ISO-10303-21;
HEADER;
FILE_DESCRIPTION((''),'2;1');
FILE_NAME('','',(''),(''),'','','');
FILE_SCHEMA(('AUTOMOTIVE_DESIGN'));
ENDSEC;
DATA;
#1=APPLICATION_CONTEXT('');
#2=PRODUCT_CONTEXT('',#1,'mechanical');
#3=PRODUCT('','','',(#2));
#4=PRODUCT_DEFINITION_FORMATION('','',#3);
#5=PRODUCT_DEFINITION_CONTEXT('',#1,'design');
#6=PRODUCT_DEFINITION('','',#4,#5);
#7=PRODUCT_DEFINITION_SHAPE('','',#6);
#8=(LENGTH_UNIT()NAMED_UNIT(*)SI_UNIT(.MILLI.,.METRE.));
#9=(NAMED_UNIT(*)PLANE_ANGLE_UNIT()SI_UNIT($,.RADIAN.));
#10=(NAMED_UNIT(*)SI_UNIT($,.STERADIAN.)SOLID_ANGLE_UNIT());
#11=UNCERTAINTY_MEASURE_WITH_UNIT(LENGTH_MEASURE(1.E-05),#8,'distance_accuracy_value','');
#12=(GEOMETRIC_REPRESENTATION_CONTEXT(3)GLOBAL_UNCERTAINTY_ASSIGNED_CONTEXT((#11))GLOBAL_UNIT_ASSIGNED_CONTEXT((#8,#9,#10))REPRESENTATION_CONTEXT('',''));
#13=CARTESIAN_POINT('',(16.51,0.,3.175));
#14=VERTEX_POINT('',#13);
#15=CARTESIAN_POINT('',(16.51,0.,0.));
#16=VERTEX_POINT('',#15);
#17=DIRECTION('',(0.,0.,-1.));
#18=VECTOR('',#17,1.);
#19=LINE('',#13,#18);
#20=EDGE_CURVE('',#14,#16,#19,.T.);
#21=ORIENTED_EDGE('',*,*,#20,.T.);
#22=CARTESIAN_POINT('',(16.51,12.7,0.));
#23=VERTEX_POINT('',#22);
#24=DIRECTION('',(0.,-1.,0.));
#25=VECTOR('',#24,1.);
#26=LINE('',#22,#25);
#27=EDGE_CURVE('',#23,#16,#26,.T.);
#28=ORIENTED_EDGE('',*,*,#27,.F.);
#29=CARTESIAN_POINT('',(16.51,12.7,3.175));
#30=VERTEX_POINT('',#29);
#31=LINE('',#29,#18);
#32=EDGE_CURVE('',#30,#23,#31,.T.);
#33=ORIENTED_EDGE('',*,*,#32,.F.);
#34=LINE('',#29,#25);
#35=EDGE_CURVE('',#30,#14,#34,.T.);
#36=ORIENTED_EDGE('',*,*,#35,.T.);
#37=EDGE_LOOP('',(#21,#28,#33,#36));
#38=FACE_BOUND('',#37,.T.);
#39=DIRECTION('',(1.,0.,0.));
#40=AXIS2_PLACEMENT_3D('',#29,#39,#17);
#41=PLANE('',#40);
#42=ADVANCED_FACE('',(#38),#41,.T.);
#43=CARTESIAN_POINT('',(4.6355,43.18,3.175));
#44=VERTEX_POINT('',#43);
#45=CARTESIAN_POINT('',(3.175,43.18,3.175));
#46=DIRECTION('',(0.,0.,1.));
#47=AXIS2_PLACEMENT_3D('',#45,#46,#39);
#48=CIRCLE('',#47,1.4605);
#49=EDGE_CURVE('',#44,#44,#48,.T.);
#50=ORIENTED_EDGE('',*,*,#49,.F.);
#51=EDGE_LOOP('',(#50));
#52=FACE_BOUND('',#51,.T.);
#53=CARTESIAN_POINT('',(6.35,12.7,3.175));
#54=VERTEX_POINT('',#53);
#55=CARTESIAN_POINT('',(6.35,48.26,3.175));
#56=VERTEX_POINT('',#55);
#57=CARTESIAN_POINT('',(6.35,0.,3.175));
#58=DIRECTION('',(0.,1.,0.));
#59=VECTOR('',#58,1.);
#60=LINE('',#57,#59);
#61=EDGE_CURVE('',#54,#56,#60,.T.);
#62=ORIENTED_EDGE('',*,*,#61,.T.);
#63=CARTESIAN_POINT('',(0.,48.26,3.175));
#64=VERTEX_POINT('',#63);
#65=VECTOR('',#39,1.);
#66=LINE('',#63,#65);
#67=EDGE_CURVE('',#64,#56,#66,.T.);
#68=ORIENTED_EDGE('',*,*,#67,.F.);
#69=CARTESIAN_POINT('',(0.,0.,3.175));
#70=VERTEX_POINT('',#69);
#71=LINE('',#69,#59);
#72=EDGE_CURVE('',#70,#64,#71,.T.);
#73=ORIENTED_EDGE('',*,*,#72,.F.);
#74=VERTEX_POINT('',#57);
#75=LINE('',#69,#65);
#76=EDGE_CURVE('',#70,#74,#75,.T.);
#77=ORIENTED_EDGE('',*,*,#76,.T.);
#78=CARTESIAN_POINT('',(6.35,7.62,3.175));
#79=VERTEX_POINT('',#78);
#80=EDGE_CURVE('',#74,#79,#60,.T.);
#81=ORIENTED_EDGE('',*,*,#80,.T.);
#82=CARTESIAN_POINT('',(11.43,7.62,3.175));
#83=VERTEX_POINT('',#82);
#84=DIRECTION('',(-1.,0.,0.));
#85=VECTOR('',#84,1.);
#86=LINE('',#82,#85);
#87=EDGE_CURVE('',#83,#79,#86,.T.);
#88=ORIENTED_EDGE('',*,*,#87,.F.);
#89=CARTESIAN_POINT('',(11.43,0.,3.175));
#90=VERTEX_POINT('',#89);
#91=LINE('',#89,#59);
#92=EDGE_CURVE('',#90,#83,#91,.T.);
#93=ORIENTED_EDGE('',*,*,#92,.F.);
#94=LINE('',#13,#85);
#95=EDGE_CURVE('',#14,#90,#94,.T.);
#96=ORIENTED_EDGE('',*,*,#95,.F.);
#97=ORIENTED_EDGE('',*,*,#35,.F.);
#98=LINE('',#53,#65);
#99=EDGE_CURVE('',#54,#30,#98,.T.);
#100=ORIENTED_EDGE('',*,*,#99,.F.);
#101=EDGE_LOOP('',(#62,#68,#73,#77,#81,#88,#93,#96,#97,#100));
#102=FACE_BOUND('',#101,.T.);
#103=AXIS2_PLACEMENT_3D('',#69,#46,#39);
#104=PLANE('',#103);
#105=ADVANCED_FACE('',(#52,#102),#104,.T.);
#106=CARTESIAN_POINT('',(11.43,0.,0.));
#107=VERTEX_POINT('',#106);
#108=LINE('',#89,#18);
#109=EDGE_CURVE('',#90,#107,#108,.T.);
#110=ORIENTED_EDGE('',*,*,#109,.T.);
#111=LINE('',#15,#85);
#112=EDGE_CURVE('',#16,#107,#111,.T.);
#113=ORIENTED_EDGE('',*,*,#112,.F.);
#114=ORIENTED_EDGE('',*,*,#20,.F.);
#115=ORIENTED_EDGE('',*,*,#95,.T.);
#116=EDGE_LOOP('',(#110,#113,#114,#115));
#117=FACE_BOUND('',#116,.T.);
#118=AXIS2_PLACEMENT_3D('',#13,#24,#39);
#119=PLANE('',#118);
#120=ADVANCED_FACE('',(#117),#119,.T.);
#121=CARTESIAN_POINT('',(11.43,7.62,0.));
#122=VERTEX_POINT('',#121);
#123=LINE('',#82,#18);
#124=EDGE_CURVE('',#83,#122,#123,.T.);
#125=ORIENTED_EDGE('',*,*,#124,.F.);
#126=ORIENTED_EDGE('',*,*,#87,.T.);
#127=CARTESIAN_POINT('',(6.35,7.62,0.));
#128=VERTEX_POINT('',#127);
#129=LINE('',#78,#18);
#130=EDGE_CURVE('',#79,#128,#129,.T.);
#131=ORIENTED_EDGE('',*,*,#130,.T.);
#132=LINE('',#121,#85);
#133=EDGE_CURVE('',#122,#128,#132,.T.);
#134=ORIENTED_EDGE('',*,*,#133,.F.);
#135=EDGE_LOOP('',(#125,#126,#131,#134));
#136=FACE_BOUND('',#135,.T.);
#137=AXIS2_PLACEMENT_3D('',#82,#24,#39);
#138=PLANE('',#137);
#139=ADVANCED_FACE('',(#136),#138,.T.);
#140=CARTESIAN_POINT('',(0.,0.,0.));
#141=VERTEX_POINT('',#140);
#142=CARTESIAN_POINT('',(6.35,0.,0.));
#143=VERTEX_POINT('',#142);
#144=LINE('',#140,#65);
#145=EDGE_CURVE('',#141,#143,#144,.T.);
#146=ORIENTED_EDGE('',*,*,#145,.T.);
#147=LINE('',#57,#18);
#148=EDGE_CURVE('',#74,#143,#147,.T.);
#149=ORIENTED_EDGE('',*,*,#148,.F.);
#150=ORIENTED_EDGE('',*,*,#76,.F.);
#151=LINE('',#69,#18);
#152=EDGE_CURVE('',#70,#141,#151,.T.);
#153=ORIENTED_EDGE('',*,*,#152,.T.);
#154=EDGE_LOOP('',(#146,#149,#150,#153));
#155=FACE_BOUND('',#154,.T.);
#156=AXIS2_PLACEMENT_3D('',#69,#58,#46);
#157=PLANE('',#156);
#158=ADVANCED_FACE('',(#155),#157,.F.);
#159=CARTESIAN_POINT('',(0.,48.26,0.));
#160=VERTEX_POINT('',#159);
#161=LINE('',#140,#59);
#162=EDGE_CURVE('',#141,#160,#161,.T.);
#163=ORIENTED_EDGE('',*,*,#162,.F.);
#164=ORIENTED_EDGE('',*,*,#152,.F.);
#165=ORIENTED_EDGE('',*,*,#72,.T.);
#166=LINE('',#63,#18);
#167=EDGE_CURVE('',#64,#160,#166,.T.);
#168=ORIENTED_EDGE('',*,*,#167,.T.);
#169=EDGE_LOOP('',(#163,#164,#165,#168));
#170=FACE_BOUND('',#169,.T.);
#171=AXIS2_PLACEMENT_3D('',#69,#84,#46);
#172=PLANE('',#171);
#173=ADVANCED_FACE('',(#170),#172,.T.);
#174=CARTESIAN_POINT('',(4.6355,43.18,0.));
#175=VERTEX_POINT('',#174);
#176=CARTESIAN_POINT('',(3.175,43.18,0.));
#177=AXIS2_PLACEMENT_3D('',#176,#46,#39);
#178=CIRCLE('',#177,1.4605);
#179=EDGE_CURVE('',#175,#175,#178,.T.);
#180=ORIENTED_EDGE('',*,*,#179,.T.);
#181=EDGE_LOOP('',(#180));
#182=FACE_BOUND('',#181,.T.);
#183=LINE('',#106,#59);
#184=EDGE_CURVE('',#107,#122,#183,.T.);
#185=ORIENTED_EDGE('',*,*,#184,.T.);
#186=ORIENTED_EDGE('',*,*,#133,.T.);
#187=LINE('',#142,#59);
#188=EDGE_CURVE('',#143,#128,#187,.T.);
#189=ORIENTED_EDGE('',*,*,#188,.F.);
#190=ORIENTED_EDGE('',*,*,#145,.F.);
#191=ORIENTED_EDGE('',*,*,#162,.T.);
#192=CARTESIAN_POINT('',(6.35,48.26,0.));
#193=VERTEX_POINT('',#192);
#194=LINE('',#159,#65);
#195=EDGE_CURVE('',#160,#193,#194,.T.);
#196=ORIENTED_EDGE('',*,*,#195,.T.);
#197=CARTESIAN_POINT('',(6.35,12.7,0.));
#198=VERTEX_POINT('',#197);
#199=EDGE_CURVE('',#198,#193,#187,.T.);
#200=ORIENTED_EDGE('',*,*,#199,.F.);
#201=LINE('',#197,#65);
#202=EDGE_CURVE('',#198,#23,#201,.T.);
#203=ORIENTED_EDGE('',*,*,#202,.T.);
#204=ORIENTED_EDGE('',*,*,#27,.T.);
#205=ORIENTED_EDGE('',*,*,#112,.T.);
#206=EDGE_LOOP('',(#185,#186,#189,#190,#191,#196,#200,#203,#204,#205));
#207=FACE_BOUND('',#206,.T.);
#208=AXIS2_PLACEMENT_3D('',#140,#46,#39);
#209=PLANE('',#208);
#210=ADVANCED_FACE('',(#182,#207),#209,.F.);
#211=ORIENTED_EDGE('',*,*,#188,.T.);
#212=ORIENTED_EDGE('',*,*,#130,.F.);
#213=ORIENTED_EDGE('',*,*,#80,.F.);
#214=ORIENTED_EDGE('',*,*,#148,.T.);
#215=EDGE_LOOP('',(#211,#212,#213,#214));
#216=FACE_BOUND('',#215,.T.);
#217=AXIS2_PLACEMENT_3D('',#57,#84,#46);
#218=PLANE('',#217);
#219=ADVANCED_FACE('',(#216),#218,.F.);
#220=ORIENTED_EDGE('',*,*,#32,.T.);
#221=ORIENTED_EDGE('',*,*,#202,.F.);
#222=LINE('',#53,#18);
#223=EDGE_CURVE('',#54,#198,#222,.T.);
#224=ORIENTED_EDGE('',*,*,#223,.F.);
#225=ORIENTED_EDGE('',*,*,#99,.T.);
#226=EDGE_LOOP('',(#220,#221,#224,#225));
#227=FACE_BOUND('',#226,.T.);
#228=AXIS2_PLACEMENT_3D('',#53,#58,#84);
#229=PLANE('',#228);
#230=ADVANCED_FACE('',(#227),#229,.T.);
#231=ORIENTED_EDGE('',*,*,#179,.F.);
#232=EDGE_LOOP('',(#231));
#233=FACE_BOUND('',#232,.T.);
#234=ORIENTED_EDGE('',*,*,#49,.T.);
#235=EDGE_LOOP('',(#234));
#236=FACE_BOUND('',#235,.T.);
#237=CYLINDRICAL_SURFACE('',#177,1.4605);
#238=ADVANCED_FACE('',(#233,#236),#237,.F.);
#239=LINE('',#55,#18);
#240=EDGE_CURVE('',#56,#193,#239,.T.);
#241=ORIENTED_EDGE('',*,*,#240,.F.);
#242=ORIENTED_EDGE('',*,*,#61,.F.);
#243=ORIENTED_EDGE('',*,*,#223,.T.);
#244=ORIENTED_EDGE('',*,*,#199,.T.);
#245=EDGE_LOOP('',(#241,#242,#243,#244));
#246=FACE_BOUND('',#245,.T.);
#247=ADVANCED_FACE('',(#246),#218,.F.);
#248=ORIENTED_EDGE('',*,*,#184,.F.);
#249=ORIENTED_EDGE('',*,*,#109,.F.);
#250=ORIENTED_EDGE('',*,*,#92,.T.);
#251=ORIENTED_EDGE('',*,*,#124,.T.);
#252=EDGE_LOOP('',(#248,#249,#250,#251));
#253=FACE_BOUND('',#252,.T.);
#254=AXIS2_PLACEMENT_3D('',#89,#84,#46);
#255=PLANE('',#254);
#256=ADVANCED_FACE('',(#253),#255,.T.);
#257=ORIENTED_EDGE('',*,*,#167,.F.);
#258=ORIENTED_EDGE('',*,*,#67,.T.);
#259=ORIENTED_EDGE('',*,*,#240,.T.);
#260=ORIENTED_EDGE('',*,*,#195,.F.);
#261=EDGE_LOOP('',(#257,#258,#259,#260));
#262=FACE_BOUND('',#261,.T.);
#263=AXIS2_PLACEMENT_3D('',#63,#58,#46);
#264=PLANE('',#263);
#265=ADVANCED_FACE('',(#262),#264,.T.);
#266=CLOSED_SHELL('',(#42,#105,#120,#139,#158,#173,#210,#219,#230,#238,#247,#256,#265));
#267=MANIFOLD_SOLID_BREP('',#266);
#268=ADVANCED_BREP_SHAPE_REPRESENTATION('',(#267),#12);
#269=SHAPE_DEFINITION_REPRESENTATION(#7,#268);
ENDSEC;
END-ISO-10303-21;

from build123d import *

# Parameters (mm, degrees)
SKETCH1_W           = 6.35
SKETCH1_H           = 48.26
BOSS_EXTRUDE1_DEPTH = 3.175
SKETCH3_R           = 1.4605
CUT_EXTRUDE2_DEPTH  = 4.175
BOSS_EXTRUDE3_DEPTH = 3.175


with BuildPart() as part:
    # Sketch1 → Boss-Extrude1 (new body)
    with BuildSketch(Plane.XY):
        with Locations((3.175, 24.13)):
            Rectangle(SKETCH1_W, SKETCH1_H)
    extrude(amount=BOSS_EXTRUDE1_DEPTH)

    # Sketch3 → Cut-Extrude2 (cut, through all)
    with BuildSketch(Plane.XY.offset(3.175)):
        with Locations((3.175, 43.18)):
            Circle(SKETCH3_R)
    extrude(amount=-CUT_EXTRUDE2_DEPTH, mode=Mode.SUBTRACT)

    # Sketch5 → Boss-Extrude3 (add)
    with BuildSketch(Plane(origin=(0, 0, 0), x_dir=(-1, 0, 0), z_dir=(0, 0, -1))):
        Polygon((-6.35, 12.7), (-16.51, 12.7), (-16.51, 0), (-11.43, 0), (-11.43, 7.62), (-6.35, 7.62), align=None)
    extrude(amount=-BOSS_EXTRUDE3_DEPTH)


solid = part.part
